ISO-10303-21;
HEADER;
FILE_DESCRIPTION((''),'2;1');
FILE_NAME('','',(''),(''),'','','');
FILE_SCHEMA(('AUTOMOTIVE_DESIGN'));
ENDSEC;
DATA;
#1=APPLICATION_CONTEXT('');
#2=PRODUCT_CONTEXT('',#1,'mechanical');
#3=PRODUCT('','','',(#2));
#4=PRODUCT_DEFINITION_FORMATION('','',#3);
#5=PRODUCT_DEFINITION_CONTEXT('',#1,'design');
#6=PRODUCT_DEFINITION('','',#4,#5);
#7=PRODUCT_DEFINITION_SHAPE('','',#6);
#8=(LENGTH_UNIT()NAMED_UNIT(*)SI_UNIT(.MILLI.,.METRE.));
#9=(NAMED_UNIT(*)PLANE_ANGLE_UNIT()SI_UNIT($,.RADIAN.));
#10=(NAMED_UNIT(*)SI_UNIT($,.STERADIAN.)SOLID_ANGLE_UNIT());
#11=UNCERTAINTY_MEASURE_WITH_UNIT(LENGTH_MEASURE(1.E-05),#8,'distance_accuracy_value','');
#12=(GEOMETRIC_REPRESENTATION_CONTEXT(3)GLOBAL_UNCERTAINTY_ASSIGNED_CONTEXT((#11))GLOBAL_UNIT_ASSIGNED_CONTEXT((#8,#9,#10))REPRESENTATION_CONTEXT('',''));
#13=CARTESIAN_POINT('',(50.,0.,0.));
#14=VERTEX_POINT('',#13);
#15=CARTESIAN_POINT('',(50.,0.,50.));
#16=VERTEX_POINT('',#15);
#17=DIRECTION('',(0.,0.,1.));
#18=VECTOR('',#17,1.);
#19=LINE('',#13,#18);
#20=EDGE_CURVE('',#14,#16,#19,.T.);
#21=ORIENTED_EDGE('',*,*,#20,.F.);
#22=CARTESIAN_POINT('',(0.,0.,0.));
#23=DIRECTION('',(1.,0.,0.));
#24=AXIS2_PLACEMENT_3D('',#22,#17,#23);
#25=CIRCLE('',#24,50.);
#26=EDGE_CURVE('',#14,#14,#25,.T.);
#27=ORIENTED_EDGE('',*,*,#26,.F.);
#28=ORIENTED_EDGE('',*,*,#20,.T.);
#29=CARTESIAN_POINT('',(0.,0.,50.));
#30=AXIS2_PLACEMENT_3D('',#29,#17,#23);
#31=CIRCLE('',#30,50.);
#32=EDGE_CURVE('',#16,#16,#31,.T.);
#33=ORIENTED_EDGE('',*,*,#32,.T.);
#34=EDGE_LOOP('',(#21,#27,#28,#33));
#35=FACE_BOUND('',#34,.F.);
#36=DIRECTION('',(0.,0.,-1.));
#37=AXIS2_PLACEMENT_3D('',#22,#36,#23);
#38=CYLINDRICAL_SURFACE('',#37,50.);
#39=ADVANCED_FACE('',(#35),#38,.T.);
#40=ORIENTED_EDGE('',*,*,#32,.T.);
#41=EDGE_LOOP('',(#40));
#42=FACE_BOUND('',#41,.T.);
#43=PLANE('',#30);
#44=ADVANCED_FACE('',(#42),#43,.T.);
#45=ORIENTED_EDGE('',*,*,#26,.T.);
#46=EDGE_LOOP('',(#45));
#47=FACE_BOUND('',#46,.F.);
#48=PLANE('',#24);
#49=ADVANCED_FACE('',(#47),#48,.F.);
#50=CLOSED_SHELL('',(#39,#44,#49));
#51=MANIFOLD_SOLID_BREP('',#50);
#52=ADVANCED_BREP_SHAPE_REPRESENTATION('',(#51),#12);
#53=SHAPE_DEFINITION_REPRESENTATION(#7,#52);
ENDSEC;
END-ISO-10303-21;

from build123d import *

# Parameters (mm, degrees)
SKIZZE1_R                       = 50
AUFSATZ_LINEAR_AUSTRAGEN1_DEPTH = 50


with BuildPart() as part:
    # Skizze1 → Aufsatz-Linear austragen1 (new body)
    with BuildSketch(Plane.XY):
        Circle(SKIZZE1_R)
    extrude(amount=AUFSATZ_LINEAR_AUSTRAGEN1_DEPTH)


solid = part.part
